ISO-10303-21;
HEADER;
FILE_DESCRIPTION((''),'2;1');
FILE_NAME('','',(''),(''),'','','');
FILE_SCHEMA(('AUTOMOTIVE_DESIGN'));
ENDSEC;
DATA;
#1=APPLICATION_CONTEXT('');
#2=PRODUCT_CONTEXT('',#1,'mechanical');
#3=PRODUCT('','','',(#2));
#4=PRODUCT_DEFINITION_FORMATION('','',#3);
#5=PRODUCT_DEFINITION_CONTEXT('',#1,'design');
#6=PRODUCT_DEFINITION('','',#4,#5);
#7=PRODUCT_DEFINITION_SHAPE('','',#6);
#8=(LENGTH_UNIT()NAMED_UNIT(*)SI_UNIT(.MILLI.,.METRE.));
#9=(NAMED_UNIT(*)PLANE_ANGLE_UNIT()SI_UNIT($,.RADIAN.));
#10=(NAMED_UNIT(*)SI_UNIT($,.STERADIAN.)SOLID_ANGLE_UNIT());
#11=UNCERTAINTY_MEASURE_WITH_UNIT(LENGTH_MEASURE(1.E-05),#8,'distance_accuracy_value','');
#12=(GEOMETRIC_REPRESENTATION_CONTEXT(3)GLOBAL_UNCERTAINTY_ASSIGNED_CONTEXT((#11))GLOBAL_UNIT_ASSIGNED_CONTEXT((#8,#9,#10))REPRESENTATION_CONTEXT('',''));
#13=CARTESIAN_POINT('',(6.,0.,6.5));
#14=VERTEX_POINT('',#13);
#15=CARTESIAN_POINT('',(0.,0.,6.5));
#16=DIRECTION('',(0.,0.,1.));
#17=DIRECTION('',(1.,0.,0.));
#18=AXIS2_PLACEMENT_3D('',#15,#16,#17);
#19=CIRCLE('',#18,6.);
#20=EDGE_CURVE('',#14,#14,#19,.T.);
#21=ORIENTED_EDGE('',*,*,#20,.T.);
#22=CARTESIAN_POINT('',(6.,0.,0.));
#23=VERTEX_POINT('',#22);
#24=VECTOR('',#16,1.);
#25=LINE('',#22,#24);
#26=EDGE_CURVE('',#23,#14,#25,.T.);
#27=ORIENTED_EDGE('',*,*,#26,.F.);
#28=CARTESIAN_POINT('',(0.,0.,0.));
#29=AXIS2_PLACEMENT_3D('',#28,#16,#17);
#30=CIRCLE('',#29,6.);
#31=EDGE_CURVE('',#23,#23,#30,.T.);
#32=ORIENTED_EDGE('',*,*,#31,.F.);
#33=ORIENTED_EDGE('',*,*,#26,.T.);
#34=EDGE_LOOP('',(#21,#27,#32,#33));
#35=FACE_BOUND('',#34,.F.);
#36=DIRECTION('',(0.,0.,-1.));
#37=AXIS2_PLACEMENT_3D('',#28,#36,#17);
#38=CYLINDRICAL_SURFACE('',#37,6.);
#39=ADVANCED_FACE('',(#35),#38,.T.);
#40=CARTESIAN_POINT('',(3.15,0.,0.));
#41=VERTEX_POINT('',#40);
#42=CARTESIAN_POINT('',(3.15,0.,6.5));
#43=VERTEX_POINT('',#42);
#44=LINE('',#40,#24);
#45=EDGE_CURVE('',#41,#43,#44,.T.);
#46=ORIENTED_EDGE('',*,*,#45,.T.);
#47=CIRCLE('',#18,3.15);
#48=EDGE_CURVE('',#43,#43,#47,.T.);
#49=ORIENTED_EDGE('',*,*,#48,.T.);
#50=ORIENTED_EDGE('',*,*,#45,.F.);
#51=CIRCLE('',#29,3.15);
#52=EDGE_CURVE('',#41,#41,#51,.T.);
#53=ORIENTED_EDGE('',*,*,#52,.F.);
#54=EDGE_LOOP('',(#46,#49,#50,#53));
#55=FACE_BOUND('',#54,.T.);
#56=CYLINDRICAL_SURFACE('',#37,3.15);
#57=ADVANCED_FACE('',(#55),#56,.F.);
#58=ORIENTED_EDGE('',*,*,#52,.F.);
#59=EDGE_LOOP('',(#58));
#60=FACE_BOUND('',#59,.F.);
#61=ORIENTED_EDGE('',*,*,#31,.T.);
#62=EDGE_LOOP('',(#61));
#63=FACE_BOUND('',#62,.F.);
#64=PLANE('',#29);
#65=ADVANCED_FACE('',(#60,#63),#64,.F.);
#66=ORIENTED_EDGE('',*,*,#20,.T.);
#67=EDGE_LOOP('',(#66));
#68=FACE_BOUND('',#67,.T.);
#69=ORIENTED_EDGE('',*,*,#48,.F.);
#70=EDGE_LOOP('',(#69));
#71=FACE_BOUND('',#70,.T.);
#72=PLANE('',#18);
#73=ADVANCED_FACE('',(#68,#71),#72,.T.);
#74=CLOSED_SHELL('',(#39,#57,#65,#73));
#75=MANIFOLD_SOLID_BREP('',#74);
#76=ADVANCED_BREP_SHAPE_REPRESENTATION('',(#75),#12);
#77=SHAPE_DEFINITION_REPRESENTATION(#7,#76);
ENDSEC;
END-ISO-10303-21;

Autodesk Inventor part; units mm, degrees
ref_plane "YZ Plane" through (0, 0, 0) normal (1, 0, 0) x (0, 1, 0)
ref_plane "XZ Plane" through (0, 0, 0) normal (0, 1, 0) x (-1, 0, 0)
ref_plane "XY Plane" through (0, 0, 0) normal (0, 0, 1) x (1, 0, 0)
sketch "スケッチ1" plane through (0, 0, 0) normal (0, 0, 1) x (1, 0, 0)
  circle A0 centre (0, 0) radius 3.15
  circle A1 centre (0, 0) radius 6
  dimension "d0" = 6.3
  dimension "d1" = 12
extrude "押し出し1" add sketch "スケッチ1" along normal blind 6.5
properties part number "CCC-0612-65B" material "アセタール樹脂、黒"
